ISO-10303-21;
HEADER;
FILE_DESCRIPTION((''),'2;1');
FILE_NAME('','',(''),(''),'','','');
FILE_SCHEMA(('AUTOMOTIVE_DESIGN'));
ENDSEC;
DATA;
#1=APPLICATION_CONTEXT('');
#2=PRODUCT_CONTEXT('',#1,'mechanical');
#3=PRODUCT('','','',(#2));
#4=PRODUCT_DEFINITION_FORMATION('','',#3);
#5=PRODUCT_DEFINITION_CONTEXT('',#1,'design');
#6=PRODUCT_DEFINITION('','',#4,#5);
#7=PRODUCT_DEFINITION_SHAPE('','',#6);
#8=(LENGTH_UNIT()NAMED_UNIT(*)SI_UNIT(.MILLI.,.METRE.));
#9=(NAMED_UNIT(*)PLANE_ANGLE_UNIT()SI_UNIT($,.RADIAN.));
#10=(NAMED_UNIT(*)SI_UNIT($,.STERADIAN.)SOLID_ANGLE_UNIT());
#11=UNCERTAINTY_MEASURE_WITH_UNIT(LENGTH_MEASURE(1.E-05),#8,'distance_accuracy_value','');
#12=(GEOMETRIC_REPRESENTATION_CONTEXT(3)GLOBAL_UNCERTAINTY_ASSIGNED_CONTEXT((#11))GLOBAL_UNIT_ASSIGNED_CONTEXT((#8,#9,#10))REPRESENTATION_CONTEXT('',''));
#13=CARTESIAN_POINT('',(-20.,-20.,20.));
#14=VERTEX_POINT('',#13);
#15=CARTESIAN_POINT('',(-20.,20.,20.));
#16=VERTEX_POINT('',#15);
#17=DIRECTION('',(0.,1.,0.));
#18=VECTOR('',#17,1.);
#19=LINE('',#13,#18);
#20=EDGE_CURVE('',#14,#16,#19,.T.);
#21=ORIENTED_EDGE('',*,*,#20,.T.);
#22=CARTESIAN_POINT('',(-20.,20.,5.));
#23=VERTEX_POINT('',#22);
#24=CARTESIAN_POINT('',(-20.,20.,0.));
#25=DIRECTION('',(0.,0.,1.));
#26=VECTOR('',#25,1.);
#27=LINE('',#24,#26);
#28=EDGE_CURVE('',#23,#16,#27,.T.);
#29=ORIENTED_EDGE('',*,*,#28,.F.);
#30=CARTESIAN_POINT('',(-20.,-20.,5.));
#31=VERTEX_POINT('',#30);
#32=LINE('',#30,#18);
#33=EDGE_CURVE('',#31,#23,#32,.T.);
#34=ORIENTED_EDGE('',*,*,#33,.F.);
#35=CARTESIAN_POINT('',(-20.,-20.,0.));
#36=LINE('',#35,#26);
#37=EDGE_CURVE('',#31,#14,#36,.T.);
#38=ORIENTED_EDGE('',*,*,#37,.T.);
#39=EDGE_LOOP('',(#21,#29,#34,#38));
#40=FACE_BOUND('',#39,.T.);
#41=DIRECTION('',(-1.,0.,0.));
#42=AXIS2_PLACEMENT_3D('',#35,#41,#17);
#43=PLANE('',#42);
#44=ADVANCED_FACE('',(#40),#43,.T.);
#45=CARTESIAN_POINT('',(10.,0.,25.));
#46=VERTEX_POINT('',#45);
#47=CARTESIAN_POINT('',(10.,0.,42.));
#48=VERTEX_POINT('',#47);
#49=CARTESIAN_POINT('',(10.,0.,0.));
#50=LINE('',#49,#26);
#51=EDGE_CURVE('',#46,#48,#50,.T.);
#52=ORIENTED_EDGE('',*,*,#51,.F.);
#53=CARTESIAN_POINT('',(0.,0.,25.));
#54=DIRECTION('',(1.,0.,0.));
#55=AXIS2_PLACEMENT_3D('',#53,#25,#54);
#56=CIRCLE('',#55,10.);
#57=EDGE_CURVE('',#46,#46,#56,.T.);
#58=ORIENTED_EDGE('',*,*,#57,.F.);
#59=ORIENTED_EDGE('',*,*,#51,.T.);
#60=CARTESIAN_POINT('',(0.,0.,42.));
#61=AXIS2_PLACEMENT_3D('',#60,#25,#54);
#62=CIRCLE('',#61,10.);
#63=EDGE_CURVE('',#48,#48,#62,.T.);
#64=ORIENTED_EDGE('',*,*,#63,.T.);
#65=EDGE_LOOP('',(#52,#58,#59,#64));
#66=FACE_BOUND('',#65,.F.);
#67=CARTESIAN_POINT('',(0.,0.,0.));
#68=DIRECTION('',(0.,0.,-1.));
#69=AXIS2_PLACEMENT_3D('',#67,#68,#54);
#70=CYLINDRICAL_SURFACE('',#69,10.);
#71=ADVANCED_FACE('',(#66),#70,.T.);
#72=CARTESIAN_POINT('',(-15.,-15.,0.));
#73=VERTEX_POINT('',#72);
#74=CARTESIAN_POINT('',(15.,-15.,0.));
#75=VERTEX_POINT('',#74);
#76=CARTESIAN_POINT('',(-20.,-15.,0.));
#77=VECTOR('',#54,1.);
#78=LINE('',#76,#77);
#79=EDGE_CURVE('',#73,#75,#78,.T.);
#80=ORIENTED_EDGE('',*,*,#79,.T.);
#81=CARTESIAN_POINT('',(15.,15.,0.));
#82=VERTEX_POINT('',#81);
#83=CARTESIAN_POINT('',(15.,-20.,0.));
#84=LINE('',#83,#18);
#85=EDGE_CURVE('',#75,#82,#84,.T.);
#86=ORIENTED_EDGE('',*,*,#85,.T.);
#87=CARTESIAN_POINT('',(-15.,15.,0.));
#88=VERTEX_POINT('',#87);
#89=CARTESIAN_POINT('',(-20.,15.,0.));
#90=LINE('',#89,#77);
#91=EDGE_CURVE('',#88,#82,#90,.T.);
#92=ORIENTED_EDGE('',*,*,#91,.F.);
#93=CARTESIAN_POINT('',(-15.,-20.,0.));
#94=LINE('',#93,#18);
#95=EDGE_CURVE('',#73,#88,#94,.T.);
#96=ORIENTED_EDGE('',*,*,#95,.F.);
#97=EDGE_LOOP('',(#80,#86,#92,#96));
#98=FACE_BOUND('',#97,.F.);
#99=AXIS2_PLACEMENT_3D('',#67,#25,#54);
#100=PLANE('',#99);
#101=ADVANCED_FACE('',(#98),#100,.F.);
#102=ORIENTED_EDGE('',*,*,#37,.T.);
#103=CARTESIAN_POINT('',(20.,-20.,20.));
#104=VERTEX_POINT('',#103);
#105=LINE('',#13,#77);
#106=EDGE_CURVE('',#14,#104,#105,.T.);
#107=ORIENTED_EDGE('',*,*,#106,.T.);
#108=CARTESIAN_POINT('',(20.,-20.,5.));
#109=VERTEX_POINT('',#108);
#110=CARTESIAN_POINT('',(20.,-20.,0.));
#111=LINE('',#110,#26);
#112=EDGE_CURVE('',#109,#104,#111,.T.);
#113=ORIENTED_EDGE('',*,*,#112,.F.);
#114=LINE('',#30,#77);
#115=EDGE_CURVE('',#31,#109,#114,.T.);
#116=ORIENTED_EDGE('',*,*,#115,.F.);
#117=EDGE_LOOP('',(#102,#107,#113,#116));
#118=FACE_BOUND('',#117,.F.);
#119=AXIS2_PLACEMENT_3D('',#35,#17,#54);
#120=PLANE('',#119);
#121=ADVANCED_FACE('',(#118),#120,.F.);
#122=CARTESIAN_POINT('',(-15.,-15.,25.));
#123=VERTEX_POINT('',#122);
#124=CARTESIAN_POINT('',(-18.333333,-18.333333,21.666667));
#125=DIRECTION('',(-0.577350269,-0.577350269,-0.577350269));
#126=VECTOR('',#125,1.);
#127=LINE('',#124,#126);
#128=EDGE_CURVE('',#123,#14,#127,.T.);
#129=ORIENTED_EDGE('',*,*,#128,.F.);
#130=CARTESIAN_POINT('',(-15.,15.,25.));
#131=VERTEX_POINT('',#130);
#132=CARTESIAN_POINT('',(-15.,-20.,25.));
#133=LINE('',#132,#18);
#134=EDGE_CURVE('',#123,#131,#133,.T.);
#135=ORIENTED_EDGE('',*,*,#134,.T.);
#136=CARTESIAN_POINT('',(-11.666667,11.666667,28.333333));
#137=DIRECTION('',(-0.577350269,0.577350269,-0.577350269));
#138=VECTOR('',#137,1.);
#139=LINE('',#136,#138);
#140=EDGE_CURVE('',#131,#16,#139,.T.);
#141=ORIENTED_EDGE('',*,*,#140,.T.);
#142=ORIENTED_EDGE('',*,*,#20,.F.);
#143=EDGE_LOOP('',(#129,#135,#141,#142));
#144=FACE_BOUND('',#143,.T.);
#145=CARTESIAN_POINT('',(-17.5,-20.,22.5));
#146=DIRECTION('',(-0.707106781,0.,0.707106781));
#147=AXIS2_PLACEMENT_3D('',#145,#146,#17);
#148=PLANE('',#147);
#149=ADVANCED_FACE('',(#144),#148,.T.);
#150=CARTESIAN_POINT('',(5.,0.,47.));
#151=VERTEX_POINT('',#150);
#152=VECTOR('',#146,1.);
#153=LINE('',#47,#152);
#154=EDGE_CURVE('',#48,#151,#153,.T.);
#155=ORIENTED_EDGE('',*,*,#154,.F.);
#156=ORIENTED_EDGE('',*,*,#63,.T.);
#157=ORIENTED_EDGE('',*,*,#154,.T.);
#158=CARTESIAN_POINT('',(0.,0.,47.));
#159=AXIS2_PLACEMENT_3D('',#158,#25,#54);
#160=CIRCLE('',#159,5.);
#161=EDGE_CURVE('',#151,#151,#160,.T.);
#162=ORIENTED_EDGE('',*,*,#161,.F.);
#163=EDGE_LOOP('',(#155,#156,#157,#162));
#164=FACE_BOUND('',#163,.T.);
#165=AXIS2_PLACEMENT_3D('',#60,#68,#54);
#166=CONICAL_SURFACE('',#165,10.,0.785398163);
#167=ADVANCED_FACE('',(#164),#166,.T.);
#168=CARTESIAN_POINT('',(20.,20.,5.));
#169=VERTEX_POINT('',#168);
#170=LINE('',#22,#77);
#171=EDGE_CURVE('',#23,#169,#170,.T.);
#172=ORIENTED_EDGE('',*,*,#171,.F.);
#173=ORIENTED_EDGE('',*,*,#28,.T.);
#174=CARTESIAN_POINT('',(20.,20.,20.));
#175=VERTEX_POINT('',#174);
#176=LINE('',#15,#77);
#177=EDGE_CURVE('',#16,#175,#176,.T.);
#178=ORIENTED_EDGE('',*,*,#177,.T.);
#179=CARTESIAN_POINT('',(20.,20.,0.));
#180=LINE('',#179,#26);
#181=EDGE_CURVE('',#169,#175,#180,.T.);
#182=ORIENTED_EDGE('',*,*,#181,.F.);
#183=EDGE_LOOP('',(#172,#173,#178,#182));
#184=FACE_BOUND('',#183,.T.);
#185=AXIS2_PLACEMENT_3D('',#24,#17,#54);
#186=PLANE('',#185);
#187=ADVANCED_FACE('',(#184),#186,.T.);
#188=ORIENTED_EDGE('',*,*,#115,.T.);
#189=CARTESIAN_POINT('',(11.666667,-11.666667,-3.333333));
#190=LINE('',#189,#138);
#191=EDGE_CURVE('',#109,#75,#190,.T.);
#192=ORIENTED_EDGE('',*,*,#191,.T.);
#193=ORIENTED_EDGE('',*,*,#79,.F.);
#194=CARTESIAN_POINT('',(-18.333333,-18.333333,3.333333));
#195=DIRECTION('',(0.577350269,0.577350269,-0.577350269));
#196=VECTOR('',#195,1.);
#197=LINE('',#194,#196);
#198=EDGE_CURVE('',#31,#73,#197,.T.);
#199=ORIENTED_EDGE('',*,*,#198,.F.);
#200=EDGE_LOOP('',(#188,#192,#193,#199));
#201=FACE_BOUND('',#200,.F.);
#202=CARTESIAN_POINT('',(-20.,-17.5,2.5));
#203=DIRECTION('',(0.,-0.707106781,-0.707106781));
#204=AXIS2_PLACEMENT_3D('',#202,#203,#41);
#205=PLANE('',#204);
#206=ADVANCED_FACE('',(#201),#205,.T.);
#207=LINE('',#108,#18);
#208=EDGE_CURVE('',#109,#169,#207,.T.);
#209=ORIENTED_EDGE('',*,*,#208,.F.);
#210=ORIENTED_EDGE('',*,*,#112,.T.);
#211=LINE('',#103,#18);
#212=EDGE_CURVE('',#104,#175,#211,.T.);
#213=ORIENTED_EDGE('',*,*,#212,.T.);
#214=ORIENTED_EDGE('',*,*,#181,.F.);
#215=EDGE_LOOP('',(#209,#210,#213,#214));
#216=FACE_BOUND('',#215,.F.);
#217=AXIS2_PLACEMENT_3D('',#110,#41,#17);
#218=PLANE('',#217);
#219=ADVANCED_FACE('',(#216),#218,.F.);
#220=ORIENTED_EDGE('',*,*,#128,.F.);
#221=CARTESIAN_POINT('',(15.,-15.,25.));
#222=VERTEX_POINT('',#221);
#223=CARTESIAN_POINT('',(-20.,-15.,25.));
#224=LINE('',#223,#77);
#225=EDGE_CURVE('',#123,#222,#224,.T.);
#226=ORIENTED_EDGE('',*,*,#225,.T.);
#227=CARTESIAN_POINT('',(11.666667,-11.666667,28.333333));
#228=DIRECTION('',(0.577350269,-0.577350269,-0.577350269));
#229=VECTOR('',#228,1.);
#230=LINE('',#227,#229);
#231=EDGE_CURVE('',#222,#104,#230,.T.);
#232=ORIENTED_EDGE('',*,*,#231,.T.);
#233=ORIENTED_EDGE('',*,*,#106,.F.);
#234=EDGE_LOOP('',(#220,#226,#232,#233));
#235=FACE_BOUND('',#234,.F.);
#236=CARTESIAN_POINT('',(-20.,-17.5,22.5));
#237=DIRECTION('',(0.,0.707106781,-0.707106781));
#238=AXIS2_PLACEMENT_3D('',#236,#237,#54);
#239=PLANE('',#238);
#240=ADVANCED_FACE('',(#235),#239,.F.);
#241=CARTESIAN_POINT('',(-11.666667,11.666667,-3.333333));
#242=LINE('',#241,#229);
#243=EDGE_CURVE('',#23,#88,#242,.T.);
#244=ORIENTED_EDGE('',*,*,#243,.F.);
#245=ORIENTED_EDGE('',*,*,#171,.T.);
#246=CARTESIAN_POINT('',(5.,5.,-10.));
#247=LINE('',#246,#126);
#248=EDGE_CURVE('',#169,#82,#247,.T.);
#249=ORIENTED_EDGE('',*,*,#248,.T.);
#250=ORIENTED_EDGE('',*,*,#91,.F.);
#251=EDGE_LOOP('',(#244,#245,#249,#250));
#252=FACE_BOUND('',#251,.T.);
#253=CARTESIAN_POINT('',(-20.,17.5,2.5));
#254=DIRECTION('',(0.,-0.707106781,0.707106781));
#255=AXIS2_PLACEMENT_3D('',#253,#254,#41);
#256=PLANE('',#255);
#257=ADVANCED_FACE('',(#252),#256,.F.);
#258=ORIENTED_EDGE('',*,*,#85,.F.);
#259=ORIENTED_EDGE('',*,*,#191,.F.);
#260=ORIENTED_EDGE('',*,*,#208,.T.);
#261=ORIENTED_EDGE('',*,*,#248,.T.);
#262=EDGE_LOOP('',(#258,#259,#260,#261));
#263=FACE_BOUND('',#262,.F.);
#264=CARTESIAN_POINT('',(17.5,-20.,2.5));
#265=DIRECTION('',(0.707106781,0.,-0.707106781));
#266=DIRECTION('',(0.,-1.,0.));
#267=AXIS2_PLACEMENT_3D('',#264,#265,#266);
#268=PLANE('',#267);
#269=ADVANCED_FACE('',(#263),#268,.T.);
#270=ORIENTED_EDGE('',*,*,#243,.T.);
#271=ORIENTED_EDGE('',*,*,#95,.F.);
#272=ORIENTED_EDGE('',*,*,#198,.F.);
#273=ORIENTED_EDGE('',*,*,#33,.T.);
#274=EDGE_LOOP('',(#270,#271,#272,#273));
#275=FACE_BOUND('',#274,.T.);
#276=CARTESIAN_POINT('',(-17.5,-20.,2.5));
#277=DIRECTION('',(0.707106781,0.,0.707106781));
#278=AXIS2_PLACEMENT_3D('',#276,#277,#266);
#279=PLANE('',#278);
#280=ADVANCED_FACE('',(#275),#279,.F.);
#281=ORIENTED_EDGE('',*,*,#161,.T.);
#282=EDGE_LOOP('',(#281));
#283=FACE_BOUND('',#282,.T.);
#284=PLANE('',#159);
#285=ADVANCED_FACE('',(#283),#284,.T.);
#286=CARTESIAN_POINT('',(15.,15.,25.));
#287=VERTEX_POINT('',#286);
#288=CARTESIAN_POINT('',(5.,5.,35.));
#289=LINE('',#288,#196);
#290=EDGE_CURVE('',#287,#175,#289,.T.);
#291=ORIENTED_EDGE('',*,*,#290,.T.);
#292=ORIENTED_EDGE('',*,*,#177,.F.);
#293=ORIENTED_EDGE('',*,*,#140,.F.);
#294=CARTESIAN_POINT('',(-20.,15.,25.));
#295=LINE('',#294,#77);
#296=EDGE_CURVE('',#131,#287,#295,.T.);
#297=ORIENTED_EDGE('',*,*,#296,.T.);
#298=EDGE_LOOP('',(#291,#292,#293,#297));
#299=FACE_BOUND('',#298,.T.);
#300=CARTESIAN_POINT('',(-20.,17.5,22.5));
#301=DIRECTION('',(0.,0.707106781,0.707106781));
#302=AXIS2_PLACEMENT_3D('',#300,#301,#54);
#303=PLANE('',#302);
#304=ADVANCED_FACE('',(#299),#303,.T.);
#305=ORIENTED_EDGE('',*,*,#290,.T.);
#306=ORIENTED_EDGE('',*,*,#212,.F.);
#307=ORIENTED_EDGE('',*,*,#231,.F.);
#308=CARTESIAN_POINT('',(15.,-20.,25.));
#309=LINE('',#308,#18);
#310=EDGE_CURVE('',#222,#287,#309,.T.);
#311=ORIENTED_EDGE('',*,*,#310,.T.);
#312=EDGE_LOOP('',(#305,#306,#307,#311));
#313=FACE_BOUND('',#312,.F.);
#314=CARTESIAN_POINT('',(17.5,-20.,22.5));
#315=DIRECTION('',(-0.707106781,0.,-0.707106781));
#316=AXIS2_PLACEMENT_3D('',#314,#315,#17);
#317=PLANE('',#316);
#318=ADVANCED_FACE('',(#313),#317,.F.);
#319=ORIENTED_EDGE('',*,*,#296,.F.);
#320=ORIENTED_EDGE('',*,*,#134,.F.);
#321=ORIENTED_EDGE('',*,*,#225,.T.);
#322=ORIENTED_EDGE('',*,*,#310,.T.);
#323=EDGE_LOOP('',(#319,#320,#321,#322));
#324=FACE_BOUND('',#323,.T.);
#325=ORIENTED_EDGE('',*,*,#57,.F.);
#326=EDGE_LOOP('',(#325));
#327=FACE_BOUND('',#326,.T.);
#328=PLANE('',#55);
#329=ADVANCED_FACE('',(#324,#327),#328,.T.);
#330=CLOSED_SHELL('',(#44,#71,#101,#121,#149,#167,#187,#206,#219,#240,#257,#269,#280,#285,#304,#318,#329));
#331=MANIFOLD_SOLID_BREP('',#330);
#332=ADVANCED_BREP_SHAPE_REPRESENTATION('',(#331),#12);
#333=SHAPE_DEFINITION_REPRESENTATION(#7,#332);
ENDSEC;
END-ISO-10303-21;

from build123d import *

# Parameters (mm, degrees)
F0_W     = 40
F0_H     = 40
F0_R     = 10
F1_DEPTH = 25
F2_DEPTH = 47
F3_SIZE  = 5


with BuildPart() as f1:
    # F0 (on Top) → F1 (new body)
    with BuildSketch(Plane.XY):
        Rectangle(F0_W, F0_H)
        Circle(F0_R, mode=Mode.SUBTRACT)
    extrude(amount=F1_DEPTH)

    # F0 (on Top) → F2 (join)
    with BuildSketch(Plane.XY):
        Circle(F0_R)
    extrude(amount=F2_DEPTH)

    # F3
    f3_edges = [f1.edges().sort_by_distance(p)[0] for p in [
        (0, 20, 25),
        (20, 0, 25),
        (0, -20, 0),
        (20, 0, 0),
        (0, 20, 0),
        (-20, 0, 0),
        (0, -20, 25),
        (-20, 0, 25),
        (-10, 0, 47),
    ]]
    chamfer(f3_edges, length=F3_SIZE)


solid = f1.part
